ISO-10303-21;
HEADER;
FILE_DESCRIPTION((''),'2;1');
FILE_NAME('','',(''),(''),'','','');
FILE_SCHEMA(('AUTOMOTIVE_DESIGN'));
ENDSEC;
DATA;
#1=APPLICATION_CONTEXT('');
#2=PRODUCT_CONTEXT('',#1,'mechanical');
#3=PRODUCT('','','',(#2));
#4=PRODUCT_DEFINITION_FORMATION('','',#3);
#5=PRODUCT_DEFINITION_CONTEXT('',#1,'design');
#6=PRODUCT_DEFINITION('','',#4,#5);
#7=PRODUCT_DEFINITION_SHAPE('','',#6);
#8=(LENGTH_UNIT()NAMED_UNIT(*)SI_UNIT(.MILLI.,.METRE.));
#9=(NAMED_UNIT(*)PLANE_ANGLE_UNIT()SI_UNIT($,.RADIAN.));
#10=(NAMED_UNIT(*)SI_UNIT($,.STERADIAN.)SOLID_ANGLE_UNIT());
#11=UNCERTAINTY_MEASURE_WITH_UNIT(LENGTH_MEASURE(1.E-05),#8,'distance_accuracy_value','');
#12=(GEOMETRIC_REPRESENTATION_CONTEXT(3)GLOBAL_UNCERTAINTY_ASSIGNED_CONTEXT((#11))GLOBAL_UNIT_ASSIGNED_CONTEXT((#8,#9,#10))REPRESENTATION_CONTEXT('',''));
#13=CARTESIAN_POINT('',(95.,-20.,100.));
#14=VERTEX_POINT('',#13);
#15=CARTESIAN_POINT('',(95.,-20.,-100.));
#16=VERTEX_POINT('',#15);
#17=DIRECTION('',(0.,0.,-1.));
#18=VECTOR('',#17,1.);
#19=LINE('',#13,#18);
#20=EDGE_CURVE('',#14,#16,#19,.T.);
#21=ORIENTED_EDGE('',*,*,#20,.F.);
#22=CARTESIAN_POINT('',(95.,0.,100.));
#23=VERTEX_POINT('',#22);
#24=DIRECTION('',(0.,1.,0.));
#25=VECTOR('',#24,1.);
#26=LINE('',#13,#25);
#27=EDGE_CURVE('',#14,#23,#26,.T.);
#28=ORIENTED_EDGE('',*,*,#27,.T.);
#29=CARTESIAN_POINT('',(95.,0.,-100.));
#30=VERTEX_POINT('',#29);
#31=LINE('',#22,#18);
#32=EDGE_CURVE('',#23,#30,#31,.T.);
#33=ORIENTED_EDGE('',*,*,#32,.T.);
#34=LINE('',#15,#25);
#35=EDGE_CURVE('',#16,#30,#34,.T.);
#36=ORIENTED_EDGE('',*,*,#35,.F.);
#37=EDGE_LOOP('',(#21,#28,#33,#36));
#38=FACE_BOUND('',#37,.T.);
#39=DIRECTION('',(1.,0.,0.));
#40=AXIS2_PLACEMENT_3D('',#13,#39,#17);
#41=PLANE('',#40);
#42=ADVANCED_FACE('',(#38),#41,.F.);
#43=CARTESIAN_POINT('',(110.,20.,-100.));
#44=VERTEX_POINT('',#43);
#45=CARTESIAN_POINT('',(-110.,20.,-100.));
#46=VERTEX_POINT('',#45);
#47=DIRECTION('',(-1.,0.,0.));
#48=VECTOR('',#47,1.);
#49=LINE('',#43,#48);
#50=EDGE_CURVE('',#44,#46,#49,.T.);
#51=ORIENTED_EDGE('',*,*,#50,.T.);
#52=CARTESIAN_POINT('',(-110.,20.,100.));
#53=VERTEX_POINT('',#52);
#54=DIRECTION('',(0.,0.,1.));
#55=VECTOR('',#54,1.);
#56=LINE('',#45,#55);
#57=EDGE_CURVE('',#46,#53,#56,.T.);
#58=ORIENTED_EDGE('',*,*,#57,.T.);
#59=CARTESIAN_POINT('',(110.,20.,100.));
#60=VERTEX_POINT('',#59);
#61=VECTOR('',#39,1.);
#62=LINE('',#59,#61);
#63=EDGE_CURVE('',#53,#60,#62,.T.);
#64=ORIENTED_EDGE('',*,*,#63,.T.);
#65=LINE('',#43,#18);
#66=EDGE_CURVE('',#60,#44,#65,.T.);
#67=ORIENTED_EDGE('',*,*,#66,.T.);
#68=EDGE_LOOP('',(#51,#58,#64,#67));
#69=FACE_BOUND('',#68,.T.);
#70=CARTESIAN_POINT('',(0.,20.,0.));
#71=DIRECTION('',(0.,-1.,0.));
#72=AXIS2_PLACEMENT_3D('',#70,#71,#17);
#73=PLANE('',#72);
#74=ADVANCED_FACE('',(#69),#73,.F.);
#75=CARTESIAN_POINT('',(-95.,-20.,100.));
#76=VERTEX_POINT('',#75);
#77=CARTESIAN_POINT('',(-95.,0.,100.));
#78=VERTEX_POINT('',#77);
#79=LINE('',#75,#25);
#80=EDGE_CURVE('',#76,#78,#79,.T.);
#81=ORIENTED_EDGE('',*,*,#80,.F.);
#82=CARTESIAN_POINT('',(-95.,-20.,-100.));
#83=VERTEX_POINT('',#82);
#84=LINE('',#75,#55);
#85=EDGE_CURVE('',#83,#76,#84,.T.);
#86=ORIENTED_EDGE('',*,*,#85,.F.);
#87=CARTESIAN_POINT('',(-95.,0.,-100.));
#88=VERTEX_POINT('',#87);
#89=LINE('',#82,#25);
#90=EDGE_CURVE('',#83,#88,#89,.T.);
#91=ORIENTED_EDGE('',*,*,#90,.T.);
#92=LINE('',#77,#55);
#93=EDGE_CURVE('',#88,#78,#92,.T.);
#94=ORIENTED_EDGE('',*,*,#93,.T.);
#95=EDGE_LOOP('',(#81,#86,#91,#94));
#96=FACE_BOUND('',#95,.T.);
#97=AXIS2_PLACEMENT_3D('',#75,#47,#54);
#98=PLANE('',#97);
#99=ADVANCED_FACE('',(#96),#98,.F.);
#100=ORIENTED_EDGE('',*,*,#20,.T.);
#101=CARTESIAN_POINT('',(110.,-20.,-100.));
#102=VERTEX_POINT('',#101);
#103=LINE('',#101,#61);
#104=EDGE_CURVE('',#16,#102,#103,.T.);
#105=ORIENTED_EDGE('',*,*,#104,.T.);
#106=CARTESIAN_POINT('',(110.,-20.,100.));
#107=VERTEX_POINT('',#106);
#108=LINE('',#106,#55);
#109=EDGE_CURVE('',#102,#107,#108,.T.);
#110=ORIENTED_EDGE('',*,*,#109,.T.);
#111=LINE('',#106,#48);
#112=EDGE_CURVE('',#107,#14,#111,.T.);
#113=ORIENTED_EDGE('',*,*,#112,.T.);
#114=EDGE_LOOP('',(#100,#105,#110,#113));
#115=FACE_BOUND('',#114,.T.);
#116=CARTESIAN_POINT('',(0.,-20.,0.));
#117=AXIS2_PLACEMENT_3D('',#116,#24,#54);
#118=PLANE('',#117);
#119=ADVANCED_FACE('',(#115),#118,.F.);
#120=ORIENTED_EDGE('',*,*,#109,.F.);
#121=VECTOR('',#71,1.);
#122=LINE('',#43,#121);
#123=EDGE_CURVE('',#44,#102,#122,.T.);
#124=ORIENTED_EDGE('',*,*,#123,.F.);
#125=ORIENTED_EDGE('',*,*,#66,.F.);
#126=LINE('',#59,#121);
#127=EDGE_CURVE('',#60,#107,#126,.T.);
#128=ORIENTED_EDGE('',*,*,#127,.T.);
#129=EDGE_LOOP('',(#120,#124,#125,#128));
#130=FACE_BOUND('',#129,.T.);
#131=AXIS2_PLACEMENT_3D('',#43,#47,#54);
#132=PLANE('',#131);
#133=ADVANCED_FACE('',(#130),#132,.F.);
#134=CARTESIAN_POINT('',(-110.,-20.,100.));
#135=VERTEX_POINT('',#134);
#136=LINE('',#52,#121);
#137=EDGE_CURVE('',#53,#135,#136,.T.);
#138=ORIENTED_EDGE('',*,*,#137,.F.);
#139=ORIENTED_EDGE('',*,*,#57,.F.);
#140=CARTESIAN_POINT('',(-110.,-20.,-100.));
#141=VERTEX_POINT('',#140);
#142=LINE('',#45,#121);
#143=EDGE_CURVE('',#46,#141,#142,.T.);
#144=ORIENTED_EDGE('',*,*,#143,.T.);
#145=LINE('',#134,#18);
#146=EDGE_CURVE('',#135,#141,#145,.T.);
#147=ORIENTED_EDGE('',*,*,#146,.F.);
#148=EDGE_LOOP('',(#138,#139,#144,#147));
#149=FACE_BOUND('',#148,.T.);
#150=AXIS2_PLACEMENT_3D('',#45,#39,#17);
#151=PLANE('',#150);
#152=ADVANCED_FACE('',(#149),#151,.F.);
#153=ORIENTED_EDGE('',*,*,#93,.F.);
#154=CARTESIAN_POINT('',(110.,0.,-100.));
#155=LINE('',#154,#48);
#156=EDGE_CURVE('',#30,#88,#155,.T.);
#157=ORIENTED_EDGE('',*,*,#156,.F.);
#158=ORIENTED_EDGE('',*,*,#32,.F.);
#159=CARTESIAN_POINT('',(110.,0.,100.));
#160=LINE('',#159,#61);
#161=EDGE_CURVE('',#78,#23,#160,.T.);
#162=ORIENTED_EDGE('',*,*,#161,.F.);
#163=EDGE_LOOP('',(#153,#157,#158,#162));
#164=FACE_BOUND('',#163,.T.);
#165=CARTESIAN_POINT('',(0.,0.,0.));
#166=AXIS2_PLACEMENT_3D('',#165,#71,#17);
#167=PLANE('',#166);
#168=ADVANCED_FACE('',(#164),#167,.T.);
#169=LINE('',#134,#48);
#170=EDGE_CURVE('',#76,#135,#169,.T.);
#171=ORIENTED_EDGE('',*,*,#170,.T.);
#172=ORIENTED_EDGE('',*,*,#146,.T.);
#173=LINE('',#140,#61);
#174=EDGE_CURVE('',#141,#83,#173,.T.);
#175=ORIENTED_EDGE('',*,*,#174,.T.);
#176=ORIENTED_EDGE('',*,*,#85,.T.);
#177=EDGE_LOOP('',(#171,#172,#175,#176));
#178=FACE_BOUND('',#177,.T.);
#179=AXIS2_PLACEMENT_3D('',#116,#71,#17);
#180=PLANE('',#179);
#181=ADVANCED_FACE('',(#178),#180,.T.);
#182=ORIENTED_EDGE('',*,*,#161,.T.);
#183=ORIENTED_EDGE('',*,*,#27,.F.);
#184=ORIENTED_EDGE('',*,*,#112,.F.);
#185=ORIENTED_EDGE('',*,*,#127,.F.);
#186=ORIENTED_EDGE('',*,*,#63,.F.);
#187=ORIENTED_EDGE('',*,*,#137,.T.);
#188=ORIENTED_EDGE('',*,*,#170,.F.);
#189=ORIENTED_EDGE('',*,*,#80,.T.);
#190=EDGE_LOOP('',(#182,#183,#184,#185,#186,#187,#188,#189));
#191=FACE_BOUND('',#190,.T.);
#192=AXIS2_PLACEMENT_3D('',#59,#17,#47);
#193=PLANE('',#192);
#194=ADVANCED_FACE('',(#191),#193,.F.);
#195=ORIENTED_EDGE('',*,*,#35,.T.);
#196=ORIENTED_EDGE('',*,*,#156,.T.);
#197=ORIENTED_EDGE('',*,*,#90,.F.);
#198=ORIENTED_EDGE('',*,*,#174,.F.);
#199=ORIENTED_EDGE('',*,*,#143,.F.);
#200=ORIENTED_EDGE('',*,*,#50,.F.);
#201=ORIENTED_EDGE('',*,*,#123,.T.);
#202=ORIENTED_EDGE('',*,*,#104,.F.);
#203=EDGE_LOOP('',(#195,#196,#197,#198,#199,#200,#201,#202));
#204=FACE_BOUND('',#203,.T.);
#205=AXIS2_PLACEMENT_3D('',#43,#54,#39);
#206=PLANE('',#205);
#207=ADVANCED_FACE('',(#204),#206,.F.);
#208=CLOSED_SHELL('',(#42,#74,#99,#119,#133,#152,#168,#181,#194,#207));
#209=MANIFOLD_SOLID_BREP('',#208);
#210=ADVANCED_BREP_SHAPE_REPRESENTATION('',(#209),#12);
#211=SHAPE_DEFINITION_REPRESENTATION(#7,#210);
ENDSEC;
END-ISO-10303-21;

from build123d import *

# Parameters (mm, degrees)
SKETCH2_W           = 220
SKETCH2_H           = 200
BOSS_EXTRUDE1_DEPTH = 20
SKETCH3_W           = 15
SKETCH3_H           = 200
BOSS_EXTRUDE2_DEPTH = 20


with BuildPart() as part:
    # Sketch2 → Boss-Extrude1 (new body)
    with BuildSketch(Plane(origin=(0, 0, 0), x_dir=(1, 0, 0), z_dir=(0, 1, 0))):
        Rectangle(SKETCH2_W, SKETCH2_H)
    extrude(amount=BOSS_EXTRUDE1_DEPTH)

    # Sketch3 → Boss-Extrude2 (add)
    with BuildSketch(Plane.XZ):
        with Locations((-102.5, 0)):
            Rectangle(SKETCH3_W, SKETCH3_H)
        with Locations((102.5, 0)):
            Rectangle(SKETCH3_W, SKETCH3_H)
    extrude(amount=BOSS_EXTRUDE2_DEPTH)


solid = part.part
